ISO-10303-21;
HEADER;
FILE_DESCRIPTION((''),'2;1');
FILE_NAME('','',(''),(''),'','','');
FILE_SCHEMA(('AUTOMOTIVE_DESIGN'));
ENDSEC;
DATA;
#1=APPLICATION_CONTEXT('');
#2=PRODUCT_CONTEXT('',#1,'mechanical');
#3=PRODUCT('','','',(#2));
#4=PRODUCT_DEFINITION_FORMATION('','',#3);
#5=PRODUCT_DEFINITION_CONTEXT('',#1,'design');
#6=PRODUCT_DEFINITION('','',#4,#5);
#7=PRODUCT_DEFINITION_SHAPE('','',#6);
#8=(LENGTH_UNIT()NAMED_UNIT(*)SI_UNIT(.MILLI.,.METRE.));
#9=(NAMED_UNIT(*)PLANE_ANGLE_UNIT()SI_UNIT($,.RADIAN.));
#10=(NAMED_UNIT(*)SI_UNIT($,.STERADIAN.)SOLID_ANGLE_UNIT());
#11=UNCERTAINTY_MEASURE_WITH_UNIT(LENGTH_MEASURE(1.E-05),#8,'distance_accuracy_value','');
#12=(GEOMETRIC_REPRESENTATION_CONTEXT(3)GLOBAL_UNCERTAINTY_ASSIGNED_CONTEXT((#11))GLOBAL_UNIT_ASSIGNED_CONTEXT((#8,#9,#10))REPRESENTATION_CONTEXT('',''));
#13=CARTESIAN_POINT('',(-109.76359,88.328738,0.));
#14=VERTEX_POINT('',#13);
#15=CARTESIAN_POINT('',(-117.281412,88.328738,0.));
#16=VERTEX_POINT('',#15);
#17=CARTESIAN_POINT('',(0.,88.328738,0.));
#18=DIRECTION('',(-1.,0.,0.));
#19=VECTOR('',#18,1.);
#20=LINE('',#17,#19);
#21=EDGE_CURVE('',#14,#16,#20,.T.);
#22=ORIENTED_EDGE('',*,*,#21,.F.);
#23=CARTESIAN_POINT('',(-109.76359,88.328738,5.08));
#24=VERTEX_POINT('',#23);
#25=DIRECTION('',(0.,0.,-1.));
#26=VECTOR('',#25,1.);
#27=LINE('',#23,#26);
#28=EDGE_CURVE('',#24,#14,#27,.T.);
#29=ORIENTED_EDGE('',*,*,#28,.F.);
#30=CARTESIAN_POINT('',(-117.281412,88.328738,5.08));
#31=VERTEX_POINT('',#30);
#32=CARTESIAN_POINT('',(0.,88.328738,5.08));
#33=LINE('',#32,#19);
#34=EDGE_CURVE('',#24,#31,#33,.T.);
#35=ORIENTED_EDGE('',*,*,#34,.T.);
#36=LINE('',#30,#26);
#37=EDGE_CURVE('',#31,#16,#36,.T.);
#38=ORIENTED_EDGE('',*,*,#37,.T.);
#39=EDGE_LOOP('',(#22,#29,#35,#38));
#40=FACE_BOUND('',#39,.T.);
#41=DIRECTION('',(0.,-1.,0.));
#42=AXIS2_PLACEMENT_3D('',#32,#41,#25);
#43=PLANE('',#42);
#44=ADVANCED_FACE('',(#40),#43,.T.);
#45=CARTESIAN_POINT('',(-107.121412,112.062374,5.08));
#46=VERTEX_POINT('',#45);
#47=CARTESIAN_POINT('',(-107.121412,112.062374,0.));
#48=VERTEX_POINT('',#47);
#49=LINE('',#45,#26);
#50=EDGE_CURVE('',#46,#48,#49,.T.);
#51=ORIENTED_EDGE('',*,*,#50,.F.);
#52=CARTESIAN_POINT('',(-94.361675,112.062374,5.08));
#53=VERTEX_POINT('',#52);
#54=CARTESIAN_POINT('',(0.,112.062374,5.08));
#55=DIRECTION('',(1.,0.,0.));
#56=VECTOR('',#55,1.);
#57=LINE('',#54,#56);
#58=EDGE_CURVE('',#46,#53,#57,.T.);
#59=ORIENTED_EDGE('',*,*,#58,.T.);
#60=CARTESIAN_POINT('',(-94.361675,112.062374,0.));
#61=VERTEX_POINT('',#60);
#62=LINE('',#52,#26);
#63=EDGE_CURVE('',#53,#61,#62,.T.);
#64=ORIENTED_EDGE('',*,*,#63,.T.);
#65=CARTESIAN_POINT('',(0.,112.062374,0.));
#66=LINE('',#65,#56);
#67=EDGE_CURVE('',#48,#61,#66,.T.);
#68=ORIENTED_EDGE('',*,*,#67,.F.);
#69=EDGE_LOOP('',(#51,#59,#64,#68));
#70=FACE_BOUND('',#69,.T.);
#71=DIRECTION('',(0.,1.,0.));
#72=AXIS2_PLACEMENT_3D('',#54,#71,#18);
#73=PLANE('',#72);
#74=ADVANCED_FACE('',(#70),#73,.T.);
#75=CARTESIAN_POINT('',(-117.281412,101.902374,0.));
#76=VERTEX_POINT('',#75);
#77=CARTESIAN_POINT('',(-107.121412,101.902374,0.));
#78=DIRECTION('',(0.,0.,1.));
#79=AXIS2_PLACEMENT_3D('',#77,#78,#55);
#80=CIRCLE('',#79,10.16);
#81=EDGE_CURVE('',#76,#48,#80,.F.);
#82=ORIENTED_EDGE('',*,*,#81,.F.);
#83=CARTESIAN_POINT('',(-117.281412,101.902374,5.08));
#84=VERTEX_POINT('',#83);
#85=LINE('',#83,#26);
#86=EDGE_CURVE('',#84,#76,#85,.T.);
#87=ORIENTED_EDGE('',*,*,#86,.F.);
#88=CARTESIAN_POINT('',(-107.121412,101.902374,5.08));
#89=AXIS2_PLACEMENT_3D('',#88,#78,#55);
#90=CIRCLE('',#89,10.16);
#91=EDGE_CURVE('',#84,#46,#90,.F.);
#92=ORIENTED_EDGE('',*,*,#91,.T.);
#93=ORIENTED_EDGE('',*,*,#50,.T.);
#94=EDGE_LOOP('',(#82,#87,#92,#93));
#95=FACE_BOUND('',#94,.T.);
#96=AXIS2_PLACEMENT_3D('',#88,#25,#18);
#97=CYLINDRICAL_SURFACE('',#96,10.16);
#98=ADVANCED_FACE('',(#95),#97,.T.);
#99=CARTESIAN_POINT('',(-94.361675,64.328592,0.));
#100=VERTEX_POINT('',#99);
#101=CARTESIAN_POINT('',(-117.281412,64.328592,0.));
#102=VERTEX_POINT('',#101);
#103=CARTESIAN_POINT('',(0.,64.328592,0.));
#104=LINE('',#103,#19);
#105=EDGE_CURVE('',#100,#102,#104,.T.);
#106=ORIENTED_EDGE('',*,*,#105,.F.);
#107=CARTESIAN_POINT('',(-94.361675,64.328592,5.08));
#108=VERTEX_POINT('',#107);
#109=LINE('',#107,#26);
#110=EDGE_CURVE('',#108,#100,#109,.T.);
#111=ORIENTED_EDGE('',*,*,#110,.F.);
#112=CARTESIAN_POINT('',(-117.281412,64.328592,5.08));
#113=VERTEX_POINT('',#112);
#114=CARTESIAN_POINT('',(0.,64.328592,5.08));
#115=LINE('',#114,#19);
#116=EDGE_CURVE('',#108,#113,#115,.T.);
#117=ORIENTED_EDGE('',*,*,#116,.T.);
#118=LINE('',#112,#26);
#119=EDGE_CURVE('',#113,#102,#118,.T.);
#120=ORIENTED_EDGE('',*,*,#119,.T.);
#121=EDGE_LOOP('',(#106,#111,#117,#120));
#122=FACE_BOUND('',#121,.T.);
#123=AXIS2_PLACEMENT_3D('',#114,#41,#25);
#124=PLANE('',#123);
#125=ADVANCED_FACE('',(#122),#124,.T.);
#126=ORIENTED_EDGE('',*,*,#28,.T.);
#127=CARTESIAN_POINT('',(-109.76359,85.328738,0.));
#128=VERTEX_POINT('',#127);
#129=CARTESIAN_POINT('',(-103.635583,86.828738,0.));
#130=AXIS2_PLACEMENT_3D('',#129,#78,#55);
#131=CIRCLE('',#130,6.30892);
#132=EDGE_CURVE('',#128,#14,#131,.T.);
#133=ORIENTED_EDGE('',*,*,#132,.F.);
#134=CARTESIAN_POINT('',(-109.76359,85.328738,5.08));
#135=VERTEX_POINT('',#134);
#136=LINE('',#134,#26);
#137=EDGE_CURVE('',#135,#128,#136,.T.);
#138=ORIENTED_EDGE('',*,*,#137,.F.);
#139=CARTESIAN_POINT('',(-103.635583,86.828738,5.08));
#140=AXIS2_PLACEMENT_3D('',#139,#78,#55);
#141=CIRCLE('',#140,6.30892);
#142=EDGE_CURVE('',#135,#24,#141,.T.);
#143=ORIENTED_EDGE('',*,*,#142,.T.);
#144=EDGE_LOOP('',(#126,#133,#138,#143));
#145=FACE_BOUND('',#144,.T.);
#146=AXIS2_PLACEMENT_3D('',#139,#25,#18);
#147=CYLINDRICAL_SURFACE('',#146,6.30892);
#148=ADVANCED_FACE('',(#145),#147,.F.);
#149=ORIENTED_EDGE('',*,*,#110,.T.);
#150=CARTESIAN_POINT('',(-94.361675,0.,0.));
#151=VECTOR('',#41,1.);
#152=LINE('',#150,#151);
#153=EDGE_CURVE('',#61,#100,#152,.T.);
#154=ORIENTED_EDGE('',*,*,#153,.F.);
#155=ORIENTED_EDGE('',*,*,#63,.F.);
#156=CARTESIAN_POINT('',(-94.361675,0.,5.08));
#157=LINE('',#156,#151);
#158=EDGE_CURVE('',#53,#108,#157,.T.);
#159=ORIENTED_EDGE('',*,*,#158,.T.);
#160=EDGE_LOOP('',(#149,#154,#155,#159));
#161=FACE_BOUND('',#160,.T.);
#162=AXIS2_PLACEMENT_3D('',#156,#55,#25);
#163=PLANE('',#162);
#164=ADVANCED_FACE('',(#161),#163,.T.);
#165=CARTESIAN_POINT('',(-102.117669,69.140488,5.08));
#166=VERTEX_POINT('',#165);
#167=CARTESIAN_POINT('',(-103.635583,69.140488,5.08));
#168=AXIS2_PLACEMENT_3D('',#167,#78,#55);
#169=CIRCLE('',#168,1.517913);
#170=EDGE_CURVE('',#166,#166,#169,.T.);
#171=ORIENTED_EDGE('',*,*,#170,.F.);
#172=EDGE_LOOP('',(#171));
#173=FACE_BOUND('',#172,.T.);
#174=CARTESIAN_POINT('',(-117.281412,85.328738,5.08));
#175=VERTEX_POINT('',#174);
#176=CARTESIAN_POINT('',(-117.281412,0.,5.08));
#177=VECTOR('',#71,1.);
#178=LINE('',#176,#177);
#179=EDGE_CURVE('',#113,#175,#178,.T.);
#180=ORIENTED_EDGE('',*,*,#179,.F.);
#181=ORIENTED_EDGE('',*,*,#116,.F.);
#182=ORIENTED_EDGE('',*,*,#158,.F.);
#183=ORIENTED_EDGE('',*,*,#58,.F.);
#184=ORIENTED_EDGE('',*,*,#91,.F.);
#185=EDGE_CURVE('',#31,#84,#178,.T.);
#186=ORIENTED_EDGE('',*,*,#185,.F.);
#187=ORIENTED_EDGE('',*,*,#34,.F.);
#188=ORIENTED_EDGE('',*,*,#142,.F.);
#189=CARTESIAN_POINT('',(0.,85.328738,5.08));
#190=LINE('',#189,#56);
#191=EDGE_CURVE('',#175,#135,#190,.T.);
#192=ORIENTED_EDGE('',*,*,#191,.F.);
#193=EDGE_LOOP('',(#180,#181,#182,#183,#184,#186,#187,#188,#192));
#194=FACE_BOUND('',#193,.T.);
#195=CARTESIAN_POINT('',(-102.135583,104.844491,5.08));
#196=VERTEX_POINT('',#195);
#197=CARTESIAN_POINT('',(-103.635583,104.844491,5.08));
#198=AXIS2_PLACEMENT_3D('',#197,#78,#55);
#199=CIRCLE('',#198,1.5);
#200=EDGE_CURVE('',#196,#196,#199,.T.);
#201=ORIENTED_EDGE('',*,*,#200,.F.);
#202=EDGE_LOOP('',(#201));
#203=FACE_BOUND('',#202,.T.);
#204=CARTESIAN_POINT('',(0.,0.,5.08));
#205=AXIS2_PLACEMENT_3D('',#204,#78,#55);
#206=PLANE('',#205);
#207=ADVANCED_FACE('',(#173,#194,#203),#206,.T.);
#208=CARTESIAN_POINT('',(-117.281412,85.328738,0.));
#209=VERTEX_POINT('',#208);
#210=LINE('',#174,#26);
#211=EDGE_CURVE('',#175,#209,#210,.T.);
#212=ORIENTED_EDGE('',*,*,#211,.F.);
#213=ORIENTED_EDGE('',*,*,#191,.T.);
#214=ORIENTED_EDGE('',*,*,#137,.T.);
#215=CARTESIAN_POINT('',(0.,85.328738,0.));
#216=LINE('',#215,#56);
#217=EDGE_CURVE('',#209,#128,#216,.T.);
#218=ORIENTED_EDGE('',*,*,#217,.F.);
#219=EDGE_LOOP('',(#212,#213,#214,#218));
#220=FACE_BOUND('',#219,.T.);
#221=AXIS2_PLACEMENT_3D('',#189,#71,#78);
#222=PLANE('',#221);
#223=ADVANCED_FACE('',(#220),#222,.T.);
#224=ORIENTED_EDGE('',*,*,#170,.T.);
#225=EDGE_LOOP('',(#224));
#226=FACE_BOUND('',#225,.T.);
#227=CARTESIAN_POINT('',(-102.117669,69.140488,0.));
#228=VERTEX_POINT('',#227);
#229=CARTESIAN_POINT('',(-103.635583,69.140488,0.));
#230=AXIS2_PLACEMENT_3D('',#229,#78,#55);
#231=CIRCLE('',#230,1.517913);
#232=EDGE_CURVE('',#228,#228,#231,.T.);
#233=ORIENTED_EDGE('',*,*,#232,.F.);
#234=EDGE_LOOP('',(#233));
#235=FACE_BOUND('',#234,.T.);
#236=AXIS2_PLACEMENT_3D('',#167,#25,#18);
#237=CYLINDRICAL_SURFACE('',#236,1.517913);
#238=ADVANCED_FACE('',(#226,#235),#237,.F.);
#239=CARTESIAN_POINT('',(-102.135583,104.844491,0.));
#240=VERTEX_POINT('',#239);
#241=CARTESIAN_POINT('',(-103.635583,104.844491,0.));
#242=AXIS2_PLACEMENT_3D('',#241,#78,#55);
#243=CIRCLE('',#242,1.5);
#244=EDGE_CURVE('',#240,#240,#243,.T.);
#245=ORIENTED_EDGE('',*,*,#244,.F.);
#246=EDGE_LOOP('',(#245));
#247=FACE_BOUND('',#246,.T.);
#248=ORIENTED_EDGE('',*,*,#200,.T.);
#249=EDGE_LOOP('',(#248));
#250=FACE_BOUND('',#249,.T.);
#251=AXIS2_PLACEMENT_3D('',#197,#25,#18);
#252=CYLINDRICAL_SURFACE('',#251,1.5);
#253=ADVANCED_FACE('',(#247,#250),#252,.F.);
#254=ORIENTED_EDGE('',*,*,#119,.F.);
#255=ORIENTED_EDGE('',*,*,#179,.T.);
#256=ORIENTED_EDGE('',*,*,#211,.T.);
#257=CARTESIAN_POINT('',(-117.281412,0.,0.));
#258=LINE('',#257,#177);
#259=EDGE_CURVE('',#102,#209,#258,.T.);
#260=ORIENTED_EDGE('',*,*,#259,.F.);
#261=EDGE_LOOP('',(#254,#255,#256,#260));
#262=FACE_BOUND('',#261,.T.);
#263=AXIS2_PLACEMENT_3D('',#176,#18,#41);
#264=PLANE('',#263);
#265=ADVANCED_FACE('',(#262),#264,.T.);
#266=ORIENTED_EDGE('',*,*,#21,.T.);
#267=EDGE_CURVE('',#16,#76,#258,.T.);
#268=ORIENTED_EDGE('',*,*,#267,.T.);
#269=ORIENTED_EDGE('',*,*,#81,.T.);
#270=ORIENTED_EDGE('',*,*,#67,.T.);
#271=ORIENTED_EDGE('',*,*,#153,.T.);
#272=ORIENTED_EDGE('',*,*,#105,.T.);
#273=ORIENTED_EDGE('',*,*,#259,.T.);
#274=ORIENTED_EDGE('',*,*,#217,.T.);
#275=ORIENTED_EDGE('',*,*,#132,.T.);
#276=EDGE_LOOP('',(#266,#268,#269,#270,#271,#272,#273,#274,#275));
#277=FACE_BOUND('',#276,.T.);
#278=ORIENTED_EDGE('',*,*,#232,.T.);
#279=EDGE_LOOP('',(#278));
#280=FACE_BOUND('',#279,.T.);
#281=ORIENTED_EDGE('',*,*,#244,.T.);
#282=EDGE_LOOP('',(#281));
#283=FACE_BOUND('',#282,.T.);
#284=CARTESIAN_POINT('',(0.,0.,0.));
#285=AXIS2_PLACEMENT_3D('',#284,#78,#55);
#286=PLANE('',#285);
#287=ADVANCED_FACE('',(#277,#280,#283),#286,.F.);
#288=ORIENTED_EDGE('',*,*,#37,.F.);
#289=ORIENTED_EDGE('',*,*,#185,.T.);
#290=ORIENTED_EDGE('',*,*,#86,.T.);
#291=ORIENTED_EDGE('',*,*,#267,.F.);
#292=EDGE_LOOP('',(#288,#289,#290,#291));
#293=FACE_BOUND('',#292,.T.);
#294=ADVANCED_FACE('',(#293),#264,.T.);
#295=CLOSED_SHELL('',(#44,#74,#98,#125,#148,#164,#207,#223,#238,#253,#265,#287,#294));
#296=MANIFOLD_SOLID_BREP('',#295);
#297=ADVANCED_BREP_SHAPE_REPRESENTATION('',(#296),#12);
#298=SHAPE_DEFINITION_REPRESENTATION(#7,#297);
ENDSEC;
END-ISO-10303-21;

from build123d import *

# Parameters (mm, degrees)
SKETCH1_R           = 1.5
SKETCH1_R_2         = 1.517913389
BOSS_EXTRUDE1_DEPTH = 5.08


with BuildPart() as part:
    # Sketch1 → Boss-Extrude1 (new body)
    with BuildSketch(Plane(origin=(0, 0, 0), x_dir=(-1, 0, 0), z_dir=(0, 0, 1))):
        with BuildLine():
            Line((94.361674585, -64.328592097), (94.361674585, -111.794978321))
            Line((94.361674585, -111.794978321), (94.361674585, -112.062374013))
            Line((94.361674585, -112.062374013), (107.121412131, -112.062374013))
            ThreePointArc((107.121412131, -112.062374013), (114.305617027, -109.08657891), (117.281412131, -101.902374013))
            Line((117.281412131, -101.902374013), (117.281412131, -88.328738191))
            Line((117.281412131, -88.328738191), (113.735498826, -88.328738191))
            Line((113.735498826, -88.328738191), (110.405158411, -88.328738191))
            Line((110.405158411, -88.328738191), (109.76359006, -88.328738191))
            ThreePointArc((109.76359006, -88.328738191), (97.326662127, -86.828738191), (109.76359006, -85.328738191))
            Line((109.76359006, -85.328738191), (110.405158411, -85.328738191))
            Line((110.405158411, -85.328738191), (113.735498826, -85.328738191))
            Line((113.735498826, -85.328738191), (117.281412131, -85.328738191))
            Line((117.281412131, -85.328738191), (117.281412131, -64.328592097))
            Line((117.281412131, -64.328592097), (94.361674585, -64.328592097))
        make_face()
        with Locations((103.635582515, -104.844491412)):
            Circle(SKETCH1_R, mode=Mode.SUBTRACT)
        with Locations((103.635582515, -69.140487693)):
            Circle(SKETCH1_R_2, mode=Mode.SUBTRACT)
    extrude(amount=BOSS_EXTRUDE1_DEPTH)


solid = part.part
